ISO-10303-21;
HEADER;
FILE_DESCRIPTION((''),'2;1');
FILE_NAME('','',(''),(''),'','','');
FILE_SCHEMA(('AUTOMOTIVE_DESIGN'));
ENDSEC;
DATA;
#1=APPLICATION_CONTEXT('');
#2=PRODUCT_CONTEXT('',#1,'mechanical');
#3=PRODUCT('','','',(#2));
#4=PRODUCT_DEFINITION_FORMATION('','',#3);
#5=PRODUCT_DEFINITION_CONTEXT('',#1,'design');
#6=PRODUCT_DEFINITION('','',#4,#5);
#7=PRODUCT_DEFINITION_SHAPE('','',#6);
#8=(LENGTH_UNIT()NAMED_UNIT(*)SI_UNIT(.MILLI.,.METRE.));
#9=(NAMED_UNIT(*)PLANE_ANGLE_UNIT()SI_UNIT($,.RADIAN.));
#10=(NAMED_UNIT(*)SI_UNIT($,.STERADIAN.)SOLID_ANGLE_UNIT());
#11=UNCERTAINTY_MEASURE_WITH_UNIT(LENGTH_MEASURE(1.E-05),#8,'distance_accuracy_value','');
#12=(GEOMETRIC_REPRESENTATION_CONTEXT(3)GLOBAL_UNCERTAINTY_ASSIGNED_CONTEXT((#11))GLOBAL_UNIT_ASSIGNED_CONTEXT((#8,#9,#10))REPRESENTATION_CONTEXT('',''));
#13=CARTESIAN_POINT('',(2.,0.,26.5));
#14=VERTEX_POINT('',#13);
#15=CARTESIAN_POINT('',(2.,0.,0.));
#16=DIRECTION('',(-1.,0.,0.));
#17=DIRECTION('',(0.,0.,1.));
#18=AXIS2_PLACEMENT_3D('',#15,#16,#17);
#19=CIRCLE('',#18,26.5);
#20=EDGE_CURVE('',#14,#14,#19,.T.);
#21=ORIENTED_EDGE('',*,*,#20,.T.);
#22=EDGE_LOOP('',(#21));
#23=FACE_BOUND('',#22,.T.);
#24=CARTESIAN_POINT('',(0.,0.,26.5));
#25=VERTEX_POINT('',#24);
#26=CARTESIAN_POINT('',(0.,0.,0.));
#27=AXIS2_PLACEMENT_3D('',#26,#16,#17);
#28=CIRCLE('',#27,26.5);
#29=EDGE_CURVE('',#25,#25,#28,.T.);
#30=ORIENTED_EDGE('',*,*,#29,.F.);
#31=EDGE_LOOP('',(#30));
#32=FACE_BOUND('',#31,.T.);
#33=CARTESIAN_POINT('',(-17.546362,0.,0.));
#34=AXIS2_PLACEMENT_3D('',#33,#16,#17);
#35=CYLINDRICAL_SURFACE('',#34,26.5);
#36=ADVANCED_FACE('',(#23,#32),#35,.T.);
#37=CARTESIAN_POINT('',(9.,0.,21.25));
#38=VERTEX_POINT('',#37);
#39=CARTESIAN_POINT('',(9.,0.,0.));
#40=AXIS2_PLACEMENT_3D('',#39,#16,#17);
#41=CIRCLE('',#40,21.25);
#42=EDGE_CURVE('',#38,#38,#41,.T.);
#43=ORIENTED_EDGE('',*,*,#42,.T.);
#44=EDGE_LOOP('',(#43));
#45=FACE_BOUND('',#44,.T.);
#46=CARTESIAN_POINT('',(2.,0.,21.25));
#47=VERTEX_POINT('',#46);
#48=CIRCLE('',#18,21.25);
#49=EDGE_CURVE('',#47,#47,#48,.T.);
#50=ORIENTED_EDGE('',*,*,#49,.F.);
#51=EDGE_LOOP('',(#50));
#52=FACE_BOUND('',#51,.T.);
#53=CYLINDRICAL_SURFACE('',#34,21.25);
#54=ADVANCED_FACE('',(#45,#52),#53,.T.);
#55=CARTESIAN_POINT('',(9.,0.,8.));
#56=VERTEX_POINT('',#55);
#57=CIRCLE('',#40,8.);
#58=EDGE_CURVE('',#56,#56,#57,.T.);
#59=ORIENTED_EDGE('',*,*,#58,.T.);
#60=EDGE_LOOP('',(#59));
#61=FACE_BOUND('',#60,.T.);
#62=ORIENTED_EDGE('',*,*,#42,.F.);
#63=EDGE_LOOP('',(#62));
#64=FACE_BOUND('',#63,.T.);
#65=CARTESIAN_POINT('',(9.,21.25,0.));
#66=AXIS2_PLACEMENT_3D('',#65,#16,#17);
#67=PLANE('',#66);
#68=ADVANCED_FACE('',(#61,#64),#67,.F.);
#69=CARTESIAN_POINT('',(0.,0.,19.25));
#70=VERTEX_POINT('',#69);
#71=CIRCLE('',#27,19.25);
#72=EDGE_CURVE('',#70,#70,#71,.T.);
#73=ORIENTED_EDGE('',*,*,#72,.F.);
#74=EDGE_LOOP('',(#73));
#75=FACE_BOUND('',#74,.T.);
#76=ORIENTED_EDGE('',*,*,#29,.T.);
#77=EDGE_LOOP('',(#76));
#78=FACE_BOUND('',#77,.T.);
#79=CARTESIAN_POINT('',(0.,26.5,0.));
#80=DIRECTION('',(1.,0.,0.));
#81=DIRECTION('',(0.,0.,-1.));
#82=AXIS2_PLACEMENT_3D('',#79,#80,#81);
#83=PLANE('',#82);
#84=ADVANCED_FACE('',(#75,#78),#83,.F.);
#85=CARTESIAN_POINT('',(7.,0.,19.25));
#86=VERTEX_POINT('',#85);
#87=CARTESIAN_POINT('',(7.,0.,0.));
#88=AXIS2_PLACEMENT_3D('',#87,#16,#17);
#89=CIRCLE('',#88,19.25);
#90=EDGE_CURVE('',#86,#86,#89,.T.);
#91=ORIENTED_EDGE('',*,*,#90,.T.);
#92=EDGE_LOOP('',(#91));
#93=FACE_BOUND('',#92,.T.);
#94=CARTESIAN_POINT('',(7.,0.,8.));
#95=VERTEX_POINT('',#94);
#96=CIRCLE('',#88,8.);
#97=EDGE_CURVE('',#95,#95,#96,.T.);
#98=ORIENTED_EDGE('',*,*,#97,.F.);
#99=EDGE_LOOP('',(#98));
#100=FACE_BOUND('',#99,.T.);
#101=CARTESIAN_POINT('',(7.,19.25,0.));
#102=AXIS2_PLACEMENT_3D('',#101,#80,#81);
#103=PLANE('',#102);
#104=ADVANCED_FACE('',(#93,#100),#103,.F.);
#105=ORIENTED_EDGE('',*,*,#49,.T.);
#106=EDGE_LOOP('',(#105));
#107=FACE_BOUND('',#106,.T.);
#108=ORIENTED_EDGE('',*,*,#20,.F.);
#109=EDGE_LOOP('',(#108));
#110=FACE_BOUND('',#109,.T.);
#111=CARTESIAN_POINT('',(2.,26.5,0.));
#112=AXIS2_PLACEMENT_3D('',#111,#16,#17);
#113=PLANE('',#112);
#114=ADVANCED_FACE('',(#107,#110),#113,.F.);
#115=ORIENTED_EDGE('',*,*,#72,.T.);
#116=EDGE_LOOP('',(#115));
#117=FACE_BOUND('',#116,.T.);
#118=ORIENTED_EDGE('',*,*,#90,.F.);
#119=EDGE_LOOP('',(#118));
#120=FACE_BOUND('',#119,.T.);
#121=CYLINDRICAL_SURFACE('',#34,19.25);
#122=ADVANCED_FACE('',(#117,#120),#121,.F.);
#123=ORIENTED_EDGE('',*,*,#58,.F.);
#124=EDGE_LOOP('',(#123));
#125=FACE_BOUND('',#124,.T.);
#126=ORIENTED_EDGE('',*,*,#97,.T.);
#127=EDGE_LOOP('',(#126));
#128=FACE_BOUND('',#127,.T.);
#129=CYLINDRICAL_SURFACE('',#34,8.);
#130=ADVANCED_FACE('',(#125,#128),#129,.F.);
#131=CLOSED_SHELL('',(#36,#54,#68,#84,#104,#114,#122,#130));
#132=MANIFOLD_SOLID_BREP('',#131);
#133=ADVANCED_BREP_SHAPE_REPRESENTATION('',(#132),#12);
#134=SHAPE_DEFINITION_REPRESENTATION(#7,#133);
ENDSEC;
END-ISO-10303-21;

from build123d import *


with BuildPart() as part:
    # 草图1 → 旋转1 (revolve)
    with BuildSketch(Plane.XY, mode=Mode.PRIVATE) as revolve_1_sk:
        Polygon((0, 26.5), (2, 26.5), (2, 21.25), (9, 21.25), (9, 8), (7, 8), (7, 19.25), (0, 19.25), align=None)
    revolve(revolve_1_sk.sketch.rotate(Axis((-17.546362413, 0, 0), (1, 0, 0)), 90), axis=Axis((-17.546362413, 0, 0), (1, 0, 0)))


solid = part.part
